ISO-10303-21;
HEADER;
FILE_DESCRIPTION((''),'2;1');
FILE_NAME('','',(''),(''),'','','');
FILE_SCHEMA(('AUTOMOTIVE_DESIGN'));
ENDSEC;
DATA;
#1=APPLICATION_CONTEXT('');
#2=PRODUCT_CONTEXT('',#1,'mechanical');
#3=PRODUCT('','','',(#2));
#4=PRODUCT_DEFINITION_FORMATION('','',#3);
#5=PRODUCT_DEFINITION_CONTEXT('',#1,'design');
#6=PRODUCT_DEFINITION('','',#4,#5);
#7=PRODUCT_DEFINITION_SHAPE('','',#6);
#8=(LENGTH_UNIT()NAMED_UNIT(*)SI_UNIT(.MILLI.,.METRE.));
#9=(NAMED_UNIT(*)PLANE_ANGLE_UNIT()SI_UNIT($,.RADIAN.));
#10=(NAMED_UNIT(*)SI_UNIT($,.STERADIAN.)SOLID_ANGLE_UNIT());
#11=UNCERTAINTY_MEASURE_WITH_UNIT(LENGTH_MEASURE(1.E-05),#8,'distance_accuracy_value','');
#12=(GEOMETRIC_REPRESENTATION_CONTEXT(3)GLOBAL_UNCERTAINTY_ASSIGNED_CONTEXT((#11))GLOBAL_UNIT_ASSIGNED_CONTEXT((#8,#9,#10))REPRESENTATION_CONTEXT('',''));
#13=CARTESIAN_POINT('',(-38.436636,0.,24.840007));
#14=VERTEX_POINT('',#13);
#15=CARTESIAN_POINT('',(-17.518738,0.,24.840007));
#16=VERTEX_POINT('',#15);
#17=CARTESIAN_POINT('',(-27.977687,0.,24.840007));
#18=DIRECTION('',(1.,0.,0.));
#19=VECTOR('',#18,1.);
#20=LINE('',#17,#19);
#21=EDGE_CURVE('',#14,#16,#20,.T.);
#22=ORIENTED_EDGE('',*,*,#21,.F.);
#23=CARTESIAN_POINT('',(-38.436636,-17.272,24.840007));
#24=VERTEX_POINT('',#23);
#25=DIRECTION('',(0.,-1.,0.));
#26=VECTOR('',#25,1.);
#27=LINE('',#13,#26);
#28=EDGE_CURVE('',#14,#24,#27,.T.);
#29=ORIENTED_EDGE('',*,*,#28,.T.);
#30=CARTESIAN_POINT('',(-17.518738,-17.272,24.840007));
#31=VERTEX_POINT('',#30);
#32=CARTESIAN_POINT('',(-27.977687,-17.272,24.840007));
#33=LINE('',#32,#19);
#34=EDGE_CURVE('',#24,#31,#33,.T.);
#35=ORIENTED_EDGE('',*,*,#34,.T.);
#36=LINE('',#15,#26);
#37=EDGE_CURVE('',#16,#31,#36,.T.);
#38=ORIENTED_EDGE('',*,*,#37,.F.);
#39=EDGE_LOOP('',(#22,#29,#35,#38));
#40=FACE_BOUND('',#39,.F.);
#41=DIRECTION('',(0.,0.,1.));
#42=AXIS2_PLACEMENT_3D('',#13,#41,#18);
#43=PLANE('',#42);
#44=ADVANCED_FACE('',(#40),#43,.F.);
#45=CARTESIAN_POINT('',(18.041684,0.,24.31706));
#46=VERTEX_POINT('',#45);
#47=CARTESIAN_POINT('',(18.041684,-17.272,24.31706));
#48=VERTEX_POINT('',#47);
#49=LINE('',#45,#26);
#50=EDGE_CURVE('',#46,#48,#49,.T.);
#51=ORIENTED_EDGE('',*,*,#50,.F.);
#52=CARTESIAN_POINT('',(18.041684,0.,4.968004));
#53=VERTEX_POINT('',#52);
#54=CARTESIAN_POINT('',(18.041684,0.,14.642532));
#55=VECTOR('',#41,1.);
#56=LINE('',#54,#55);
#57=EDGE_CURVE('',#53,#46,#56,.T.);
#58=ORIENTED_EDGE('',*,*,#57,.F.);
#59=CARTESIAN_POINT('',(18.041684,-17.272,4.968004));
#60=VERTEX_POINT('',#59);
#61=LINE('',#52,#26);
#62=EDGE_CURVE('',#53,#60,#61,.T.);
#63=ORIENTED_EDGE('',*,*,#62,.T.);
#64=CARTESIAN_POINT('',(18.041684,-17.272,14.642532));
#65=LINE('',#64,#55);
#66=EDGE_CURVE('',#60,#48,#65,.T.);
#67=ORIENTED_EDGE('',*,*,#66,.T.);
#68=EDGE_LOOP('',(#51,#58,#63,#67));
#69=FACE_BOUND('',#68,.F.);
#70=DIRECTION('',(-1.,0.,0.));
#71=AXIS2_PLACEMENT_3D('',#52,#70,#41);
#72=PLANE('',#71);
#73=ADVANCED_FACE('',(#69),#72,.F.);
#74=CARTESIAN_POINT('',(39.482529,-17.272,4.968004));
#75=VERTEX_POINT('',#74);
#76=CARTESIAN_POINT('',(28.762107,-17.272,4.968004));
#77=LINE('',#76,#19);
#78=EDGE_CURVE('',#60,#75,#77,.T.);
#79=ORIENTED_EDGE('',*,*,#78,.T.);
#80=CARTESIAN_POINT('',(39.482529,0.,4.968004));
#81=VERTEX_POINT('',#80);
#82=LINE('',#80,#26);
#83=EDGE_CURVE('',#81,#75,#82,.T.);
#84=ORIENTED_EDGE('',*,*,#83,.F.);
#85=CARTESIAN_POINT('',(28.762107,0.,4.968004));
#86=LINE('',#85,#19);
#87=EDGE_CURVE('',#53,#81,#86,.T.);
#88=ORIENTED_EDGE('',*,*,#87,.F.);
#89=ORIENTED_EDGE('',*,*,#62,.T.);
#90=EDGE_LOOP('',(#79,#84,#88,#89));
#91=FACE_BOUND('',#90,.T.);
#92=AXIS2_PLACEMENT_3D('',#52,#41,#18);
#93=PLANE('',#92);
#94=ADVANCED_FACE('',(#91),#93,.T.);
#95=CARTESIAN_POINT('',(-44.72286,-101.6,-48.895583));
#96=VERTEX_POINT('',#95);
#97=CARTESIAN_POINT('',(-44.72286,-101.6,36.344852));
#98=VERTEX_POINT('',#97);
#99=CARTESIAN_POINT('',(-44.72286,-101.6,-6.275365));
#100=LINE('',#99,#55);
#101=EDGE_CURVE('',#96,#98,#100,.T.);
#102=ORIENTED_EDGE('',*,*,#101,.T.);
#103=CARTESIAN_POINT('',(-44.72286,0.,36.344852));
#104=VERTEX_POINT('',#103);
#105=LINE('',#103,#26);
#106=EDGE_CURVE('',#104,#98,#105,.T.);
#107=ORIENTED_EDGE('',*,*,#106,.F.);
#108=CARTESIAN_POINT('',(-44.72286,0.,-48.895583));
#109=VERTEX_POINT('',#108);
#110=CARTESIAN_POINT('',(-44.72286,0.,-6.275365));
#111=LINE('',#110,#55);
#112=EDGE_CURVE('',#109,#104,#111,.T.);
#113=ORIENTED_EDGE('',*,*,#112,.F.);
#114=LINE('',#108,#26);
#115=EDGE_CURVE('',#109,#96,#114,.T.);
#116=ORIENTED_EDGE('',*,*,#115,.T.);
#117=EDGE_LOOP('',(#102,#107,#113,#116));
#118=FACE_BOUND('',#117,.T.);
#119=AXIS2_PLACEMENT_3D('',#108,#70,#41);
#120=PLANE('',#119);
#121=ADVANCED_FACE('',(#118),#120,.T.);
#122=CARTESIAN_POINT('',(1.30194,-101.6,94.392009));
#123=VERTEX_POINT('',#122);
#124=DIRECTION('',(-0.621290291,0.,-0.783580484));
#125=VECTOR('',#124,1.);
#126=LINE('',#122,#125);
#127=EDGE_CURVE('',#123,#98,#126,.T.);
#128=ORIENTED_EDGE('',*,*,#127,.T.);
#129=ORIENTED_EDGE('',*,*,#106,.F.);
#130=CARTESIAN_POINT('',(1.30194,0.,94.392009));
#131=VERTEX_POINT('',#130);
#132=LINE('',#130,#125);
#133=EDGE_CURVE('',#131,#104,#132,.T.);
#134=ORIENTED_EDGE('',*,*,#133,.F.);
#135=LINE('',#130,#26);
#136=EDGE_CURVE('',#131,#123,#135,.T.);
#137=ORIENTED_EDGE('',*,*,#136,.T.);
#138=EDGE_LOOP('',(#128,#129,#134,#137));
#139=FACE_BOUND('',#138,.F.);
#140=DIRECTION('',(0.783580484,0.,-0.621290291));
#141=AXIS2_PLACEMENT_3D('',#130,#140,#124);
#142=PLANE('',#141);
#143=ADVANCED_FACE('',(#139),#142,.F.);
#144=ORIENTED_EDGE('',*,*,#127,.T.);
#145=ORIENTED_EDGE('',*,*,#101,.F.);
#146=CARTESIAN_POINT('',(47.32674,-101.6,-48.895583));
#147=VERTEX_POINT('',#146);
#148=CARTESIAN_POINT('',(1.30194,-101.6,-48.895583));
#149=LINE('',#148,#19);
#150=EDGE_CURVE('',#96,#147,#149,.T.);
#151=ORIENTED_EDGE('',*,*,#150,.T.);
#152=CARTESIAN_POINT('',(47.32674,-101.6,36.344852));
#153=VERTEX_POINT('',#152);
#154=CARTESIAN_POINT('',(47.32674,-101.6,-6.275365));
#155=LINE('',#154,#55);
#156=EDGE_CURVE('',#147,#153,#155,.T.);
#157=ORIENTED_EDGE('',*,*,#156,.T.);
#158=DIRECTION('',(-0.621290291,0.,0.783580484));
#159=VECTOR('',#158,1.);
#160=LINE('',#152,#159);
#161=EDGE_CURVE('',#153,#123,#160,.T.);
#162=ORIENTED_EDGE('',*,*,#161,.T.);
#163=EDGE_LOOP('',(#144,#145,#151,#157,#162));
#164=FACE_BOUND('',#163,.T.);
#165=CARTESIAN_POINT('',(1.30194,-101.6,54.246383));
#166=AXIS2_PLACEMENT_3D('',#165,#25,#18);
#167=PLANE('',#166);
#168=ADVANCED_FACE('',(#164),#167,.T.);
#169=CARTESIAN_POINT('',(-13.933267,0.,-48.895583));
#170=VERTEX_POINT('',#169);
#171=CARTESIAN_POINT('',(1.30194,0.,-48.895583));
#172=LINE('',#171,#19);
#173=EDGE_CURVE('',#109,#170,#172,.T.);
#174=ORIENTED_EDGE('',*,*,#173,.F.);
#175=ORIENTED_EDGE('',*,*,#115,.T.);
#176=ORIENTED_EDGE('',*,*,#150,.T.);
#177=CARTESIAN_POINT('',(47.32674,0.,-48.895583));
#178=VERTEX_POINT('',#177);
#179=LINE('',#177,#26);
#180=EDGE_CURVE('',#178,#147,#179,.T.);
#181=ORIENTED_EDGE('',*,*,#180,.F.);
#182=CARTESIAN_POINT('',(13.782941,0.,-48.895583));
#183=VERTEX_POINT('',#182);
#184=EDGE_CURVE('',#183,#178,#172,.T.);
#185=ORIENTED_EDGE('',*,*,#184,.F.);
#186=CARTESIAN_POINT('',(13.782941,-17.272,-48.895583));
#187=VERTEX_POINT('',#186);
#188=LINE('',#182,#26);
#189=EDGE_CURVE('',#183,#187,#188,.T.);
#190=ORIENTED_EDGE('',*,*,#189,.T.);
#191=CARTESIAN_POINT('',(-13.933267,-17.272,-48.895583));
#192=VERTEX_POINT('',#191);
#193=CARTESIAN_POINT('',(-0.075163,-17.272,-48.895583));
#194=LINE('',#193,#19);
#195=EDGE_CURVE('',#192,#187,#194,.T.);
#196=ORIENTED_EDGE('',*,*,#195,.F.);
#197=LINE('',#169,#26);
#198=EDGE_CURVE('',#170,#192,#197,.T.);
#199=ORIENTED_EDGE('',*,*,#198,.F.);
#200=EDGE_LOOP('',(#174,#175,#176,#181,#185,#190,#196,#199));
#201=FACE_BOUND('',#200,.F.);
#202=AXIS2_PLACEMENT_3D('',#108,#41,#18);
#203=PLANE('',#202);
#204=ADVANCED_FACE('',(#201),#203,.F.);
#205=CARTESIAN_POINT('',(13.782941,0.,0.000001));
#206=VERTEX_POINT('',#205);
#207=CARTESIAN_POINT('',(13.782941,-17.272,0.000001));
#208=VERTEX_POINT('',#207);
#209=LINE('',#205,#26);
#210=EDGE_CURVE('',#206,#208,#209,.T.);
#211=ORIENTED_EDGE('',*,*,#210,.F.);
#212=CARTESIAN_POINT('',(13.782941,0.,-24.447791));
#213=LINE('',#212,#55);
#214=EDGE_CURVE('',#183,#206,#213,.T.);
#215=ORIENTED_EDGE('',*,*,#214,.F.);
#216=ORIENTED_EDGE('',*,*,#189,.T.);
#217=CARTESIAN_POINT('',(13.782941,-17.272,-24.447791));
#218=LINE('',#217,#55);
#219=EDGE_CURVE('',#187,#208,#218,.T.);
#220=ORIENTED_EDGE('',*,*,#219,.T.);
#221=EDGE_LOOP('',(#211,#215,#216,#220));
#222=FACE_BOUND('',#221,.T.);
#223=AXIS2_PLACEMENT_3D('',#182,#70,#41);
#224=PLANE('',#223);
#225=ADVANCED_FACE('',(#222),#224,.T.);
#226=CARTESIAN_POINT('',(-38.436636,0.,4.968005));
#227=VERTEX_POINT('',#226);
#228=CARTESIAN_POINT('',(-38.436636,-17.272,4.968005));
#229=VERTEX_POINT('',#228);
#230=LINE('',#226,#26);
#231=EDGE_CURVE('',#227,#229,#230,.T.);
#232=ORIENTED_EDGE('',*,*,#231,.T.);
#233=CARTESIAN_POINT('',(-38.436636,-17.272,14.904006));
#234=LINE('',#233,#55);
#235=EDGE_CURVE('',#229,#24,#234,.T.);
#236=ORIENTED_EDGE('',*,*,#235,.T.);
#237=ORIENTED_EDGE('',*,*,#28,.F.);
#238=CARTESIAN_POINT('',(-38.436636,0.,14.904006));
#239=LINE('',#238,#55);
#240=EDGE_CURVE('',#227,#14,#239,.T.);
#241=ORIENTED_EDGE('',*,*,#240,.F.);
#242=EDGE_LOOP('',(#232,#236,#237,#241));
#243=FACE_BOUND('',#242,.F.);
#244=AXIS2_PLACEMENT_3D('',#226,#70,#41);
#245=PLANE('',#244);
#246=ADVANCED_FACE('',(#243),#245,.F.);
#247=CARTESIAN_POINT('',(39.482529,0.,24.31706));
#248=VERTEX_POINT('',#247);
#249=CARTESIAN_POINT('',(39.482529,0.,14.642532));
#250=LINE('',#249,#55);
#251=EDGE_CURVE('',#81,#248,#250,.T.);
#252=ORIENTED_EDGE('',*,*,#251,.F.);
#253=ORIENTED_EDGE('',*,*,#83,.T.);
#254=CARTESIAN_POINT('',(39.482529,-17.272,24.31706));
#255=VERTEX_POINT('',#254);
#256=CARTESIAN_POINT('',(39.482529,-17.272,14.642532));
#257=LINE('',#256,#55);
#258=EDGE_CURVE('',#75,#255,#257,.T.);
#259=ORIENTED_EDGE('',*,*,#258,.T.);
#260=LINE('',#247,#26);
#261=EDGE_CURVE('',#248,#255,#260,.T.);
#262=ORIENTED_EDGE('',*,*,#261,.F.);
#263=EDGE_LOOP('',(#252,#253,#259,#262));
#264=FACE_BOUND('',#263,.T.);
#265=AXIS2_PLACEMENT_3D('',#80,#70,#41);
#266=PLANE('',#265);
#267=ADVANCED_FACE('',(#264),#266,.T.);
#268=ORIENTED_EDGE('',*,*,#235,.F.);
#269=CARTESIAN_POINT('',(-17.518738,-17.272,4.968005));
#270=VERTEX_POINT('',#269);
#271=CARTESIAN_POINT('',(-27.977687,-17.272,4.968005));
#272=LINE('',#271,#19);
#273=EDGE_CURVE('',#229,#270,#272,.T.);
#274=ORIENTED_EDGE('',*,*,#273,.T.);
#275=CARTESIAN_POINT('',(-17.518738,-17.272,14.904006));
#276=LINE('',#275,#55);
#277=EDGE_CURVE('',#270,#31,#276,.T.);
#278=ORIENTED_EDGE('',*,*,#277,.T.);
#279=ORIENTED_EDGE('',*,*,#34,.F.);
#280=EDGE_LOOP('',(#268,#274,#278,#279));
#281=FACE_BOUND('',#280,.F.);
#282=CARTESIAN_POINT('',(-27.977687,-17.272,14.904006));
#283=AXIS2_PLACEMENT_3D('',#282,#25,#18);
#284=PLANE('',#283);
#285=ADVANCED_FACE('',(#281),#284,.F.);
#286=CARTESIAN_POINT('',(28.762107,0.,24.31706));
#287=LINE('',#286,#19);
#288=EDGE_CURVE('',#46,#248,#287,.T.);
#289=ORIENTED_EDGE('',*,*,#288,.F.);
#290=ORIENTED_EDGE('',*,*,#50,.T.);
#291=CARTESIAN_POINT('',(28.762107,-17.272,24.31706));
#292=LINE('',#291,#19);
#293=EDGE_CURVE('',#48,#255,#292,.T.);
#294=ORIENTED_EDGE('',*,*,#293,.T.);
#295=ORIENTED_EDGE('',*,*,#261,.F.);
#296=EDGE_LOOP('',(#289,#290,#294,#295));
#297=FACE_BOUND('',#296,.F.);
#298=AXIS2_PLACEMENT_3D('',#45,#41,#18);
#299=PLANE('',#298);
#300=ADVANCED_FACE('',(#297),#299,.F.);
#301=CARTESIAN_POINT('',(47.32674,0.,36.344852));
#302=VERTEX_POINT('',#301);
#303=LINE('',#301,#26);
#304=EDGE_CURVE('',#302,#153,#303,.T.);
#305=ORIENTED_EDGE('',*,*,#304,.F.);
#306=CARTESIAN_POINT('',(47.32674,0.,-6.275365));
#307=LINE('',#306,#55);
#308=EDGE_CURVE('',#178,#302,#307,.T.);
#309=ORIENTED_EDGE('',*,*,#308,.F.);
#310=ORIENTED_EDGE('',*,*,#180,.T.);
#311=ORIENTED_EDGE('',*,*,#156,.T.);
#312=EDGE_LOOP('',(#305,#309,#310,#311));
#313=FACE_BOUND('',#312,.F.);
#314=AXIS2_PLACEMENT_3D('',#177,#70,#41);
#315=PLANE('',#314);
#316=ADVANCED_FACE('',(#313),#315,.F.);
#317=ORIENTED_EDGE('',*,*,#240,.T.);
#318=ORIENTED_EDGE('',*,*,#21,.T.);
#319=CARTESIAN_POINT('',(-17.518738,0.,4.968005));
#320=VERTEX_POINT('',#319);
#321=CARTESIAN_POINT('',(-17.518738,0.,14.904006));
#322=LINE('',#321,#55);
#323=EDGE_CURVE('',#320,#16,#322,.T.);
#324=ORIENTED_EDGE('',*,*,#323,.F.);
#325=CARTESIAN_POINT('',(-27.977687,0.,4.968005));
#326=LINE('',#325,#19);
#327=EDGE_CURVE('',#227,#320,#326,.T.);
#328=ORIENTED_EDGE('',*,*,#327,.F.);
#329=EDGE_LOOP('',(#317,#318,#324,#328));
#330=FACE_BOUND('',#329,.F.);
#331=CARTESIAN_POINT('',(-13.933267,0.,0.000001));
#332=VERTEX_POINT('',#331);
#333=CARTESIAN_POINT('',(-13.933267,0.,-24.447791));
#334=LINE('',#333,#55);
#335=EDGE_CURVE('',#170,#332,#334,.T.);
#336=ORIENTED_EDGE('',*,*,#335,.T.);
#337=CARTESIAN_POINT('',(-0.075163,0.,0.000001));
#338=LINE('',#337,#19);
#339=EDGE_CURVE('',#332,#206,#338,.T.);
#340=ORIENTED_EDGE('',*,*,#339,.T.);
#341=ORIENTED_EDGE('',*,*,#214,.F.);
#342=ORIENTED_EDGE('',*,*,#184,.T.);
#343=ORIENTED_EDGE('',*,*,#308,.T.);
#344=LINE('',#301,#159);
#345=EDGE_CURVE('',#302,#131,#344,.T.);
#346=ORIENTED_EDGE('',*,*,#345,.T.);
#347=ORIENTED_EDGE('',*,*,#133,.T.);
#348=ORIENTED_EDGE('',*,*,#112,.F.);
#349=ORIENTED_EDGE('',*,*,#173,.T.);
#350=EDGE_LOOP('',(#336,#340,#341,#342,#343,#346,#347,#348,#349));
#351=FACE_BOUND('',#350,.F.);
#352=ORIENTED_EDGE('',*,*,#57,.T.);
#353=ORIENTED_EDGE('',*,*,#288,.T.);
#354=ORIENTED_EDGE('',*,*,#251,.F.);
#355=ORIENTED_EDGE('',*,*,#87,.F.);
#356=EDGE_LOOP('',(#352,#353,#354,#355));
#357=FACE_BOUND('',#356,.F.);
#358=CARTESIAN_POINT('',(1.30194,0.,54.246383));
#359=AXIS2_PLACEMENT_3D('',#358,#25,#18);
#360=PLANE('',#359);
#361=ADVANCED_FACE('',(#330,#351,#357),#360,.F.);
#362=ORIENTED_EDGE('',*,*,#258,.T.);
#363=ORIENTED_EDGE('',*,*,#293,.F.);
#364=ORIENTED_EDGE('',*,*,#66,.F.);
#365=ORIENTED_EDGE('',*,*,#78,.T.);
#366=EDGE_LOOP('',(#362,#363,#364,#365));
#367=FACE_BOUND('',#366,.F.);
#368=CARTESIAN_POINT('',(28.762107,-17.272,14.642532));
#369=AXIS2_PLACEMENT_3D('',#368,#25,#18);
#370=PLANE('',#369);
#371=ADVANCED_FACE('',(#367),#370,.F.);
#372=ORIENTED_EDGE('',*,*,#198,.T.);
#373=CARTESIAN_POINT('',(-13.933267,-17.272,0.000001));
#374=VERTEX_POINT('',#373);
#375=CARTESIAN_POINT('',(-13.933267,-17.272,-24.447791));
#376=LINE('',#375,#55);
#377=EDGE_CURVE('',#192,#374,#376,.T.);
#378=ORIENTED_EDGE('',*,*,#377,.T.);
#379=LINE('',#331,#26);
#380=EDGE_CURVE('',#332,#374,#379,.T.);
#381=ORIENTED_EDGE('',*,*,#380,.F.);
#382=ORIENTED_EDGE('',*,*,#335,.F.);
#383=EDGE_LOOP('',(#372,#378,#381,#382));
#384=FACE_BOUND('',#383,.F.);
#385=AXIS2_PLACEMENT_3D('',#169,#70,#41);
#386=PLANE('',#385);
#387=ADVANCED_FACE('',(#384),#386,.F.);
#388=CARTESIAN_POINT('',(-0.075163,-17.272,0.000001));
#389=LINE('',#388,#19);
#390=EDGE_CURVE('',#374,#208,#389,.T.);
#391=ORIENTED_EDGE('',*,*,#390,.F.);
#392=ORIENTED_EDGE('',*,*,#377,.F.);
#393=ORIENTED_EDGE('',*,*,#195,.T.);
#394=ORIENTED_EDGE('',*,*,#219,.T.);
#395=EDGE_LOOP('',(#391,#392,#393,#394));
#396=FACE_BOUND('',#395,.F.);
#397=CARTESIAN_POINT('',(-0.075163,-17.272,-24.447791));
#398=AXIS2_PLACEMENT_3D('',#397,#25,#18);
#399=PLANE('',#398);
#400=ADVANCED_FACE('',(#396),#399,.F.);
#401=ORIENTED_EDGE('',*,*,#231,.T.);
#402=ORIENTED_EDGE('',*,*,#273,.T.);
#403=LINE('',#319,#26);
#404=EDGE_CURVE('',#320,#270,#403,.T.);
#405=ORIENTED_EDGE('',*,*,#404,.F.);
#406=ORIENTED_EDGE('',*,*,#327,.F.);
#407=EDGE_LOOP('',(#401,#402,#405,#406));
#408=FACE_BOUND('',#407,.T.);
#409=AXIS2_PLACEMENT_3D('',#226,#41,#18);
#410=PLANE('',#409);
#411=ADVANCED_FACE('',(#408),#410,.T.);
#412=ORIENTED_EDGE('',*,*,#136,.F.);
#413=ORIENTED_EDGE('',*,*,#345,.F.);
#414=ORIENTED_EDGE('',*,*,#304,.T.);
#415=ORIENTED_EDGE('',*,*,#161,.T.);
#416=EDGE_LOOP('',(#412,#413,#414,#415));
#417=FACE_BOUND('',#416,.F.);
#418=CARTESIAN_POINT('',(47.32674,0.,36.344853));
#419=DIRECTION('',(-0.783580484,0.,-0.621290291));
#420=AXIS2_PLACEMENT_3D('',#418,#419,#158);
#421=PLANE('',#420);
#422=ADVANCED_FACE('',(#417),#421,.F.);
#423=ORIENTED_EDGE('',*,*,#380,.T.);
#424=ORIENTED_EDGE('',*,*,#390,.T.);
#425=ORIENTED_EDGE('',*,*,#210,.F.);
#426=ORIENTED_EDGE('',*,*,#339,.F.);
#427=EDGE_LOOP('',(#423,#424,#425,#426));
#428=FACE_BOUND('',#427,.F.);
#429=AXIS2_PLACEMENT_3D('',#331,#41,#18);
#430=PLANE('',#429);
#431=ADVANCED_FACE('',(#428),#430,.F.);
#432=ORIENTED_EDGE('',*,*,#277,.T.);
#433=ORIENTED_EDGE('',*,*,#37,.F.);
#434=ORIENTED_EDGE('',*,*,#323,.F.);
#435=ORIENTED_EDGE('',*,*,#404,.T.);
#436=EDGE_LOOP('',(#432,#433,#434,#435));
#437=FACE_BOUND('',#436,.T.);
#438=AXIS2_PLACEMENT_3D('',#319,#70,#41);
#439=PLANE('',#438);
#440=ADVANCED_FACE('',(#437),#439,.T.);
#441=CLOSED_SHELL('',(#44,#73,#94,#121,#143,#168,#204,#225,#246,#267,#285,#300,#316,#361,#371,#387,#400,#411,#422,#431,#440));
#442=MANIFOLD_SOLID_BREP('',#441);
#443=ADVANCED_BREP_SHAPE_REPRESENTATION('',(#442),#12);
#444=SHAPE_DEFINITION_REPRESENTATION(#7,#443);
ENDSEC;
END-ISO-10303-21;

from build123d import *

# Parameters (mm, degrees)
F0_W     = 92.0496
F0_H     = 85.240435
F2_DEPTH = 101.6
F1_W     = 21.440845
F1_H     = 19.349056
F1_W_2   = 20.917898
F1_H_2   = 19.872003
F1_W_3   = 27.716208
F1_H_3   = 48.895583
F3_DEPTH = 17.272


with BuildPart() as f2:
    # F0 (on Front) → F2 (new body)
    with BuildSketch(Plane.XZ):
        Polygon((1.30194, 94.392009), (-44.72286, 36.344852), (47.32674, 36.344852), align=None)
        with Locations((1.30194, -6.275365)):
            Rectangle(F0_W, F0_H)
    extrude(amount=F2_DEPTH)

    # F1 (on Front) → F3 (cut)
    with BuildSketch(Plane.XZ):
        with Locations((28.762107, 14.642532)):
            Rectangle(F1_W, F1_H)
        with Locations((-27.977687, 14.904006)):
            Rectangle(F1_W_2, F1_H_2)
        with Locations((-0.075163, -24.447791)):
            Rectangle(F1_W_3, F1_H_3)
    extrude(amount=F3_DEPTH, mode=Mode.SUBTRACT)


solid = f2.part
